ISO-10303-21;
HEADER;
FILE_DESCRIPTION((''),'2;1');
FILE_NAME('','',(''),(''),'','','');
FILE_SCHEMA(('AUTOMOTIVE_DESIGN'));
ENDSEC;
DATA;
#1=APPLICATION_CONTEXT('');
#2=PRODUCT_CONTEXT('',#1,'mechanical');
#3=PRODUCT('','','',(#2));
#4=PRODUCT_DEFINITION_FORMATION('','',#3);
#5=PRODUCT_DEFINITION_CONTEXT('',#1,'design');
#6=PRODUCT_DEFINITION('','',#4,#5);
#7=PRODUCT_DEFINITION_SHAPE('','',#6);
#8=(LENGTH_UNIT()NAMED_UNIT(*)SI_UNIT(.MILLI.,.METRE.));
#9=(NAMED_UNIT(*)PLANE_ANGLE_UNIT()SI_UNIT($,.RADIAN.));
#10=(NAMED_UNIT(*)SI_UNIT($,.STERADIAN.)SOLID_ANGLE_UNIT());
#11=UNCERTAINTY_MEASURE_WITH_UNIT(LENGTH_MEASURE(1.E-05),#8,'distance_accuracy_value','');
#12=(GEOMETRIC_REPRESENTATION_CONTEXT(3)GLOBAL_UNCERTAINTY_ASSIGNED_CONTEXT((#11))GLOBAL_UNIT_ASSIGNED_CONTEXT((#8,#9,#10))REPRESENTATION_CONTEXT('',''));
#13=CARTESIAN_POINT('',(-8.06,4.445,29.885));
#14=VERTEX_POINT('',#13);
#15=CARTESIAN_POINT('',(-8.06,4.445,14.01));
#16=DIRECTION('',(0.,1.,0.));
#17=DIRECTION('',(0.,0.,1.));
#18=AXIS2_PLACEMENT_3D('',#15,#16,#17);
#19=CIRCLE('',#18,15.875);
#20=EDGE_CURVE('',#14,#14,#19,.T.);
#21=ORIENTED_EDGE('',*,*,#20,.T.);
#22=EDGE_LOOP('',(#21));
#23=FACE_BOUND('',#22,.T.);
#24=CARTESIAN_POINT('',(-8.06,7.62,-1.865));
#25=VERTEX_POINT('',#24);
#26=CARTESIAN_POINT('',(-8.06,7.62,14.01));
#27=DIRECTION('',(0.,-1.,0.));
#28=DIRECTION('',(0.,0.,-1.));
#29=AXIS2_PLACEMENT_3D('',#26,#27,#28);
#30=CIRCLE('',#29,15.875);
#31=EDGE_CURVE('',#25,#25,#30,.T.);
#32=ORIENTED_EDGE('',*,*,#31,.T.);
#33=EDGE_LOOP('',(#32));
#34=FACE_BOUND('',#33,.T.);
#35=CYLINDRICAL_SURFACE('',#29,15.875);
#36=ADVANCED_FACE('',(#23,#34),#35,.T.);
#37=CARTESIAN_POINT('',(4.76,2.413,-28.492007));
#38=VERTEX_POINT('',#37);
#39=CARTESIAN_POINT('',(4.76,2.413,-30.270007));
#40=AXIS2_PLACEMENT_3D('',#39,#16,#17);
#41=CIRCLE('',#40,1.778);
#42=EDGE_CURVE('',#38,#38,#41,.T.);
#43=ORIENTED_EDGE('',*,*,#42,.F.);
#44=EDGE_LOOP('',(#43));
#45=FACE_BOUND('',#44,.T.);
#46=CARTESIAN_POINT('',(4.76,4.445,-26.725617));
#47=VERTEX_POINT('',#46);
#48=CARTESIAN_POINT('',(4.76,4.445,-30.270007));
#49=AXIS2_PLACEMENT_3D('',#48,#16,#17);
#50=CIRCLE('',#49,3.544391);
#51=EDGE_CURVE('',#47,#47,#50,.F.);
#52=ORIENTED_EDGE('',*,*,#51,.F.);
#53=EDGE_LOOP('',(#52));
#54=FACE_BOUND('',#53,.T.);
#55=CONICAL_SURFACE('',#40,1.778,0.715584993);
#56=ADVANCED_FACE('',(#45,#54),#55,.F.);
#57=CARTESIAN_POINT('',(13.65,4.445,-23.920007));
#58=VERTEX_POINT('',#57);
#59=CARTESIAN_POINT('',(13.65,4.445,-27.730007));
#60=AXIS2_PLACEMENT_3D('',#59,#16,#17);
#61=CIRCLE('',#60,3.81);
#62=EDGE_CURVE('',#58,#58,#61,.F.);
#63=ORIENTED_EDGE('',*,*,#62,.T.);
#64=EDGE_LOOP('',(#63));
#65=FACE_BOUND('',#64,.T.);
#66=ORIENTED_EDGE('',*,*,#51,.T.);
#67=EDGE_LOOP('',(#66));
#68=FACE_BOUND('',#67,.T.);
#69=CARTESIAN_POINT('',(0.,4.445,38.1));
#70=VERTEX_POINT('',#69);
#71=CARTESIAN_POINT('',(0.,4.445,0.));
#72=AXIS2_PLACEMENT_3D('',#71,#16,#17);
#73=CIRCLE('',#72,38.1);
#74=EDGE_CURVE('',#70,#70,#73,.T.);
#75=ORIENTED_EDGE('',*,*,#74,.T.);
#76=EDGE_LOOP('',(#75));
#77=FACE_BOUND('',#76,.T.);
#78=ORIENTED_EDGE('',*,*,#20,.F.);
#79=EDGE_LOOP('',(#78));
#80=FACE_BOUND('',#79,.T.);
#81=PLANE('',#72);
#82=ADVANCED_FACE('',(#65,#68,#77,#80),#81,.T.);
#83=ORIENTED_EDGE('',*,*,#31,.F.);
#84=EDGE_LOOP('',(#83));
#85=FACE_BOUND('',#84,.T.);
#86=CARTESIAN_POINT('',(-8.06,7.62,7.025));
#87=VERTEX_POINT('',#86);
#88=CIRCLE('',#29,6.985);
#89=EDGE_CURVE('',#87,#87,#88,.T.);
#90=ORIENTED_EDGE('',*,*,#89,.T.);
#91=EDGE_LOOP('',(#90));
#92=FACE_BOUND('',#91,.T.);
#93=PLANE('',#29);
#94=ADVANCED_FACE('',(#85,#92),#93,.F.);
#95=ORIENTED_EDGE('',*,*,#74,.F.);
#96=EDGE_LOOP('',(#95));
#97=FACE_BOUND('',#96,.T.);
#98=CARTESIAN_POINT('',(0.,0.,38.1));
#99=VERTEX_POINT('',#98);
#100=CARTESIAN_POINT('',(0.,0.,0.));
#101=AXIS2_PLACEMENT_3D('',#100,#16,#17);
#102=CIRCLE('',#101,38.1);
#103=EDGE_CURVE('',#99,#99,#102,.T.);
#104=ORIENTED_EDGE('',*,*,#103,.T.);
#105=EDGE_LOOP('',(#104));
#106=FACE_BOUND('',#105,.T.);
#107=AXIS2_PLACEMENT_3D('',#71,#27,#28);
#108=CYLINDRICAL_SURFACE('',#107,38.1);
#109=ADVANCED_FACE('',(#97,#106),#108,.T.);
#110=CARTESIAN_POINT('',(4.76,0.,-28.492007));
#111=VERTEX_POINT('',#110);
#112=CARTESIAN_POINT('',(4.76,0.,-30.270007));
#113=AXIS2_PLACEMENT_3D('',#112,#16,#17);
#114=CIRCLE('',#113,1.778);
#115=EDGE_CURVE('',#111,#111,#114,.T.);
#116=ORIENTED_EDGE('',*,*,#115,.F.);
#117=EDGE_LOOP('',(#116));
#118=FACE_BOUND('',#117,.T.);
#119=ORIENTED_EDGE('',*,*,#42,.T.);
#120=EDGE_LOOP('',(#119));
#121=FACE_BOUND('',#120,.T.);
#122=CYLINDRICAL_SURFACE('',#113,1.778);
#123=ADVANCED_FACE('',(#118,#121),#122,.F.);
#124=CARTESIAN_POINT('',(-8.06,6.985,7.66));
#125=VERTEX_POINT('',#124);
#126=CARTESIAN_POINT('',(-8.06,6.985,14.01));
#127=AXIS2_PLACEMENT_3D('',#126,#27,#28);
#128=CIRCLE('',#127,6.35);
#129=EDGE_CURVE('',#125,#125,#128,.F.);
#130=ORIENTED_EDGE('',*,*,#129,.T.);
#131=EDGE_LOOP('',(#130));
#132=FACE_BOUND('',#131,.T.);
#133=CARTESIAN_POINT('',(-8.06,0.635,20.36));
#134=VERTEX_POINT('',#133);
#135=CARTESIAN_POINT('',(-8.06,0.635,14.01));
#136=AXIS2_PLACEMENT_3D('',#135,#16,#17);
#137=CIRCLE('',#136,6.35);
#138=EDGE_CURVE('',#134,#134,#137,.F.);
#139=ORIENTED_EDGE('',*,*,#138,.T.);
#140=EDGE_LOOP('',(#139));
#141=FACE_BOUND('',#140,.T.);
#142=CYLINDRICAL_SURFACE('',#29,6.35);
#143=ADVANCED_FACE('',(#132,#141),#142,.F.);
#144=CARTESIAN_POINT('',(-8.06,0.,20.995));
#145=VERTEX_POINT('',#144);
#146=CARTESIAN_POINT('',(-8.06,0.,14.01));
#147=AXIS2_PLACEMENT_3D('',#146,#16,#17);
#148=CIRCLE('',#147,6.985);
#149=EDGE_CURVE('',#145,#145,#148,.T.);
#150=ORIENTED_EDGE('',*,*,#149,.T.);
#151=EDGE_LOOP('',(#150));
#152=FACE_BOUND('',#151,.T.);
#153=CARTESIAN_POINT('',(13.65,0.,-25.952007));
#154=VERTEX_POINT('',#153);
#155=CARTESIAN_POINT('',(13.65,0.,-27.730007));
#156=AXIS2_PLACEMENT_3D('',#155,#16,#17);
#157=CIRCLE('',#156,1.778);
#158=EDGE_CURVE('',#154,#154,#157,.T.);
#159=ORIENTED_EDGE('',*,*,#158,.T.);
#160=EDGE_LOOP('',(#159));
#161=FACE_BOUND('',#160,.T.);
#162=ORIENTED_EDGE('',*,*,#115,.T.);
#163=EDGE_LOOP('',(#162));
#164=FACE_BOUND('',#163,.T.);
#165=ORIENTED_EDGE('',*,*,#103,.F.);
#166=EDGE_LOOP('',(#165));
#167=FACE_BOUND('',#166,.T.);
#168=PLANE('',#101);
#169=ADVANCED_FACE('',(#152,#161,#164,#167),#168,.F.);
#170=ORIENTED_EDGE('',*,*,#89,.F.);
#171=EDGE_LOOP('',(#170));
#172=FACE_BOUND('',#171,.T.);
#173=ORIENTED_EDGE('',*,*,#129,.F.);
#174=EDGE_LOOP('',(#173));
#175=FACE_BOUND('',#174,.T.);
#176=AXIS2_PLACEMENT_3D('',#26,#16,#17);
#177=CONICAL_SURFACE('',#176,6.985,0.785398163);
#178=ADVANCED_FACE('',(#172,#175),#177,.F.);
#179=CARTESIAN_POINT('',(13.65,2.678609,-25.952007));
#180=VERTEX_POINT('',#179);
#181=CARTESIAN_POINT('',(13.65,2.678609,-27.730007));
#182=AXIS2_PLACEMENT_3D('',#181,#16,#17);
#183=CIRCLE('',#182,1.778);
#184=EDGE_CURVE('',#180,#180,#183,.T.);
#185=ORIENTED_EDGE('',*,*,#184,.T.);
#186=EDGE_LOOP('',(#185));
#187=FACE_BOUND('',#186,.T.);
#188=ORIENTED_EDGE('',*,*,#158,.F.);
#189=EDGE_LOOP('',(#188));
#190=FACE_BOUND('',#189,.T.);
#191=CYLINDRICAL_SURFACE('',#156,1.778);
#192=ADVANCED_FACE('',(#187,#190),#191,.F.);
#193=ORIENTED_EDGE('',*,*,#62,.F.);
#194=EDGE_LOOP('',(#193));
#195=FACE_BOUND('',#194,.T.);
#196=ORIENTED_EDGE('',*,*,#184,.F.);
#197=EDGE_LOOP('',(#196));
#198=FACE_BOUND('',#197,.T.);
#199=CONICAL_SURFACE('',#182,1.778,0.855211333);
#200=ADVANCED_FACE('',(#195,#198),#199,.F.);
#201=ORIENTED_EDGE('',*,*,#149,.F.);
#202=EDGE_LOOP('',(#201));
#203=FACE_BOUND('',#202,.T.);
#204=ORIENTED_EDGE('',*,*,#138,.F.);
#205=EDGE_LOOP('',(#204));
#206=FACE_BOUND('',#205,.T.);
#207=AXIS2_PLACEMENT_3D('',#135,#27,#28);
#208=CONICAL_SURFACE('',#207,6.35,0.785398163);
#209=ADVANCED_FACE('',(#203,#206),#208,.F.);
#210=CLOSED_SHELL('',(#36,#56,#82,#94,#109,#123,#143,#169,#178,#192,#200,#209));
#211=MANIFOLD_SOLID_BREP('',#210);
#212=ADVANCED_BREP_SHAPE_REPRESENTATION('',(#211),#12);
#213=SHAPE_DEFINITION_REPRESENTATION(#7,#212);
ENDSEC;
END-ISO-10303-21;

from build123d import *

# Parameters (mm, degrees)
SKETCH1_R               = 38.1
BOSS_EXTRUDE1_DEPTH     = 4.445
SKETCH2_R               = 14.4145
SKETCH2_R_2             = 1.778
CUT_EXTRUDE1_DEPTH      = 1
CUT_EXTRUDE1_DEPTH_BACK = 5.445
CHAMFER1_SIZE           = 2.032
CHAMFER1_SIZE2          = 1.766390651
CHAMFER1_PART_2_SIZE    = 2.032
CHAMFER1_PART_2_SIZE2   = 1.766390651
SKETCH10_R              = 15.875
SKETCH10_R_2            = 6.35
BOSS_EXTRUDE5_DEPTH     = 7.62
CHAMFER2_SIZE           = 0.635


with BuildPart() as part:
    # Sketch1 → Boss-Extrude1 (new body)
    with BuildSketch(Plane(origin=(0, 0, 0), x_dir=(1, 0, 0), z_dir=(0, 1, 0))):
        Circle(SKETCH1_R)
    extrude(amount=BOSS_EXTRUDE1_DEPTH)

    # Sketch2 → Cut-Extrude1 (cut, two sides)
    with BuildSketch(Plane(origin=(0, 4.445, 0), x_dir=(1, 0, 0), z_dir=(0, 1, 0))) as cut_extrude1_sk:
        with Locations((-8.06, -14.01)):
            Circle(SKETCH2_R)
        with Locations((4.759999878, 30.270007278)):
            Circle(SKETCH2_R_2)
        with Locations((13.649999878, 27.730007278)):
            Circle(SKETCH2_R_2)
    extrude(amount=CUT_EXTRUDE1_DEPTH, mode=Mode.SUBTRACT)
    extrude(cut_extrude1_sk.sketch, amount=-CUT_EXTRUDE1_DEPTH_BACK, mode=Mode.SUBTRACT)

    # Chamfer1
    chamfer1_edges = [part.edges().sort_by_distance(p)[0] for p in [
        (2.981999878, 4.445, -30.270007278),
    ]]
    chamfer1_side = [part.faces().sort_by_distance(p)[0] for p in [
        (2.981999878, 2.2225, -30.270007278),
    ]]
    chamfer(chamfer1_edges, length=CHAMFER1_SIZE, length2=CHAMFER1_SIZE2, reference=chamfer1_side[0])

    # Chamfer1 part 2
    chamfer1_part_2_edges = [part.edges().sort_by_distance(p)[0] for p in [
        (11.871999878, 4.445, -27.730007278),
    ]]
    chamfer1_part_2_side = [part.faces().sort_by_distance(p)[0] for p in [
        (1.306244319, 4.445, -2.20411426),
    ]]
    chamfer(chamfer1_part_2_edges, length=CHAMFER1_PART_2_SIZE, length2=CHAMFER1_PART_2_SIZE2, reference=chamfer1_part_2_side[0])

    # Sketch10 → Boss-Extrude5 (add)
    with BuildSketch(Plane.XZ):
        with Locations((-8.06, 14.01)):
            Circle(SKETCH10_R)
        with Locations((-8.06, 14.01)):
            Circle(SKETCH10_R_2, mode=Mode.SUBTRACT)
    extrude(amount=-BOSS_EXTRUDE5_DEPTH)

    # Chamfer2
    chamfer2_edges = [part.edges().sort_by_distance(p)[0] for p in [
        (-14.41, 7.62, 14.01),
        (-14.41, 0, 14.01),
    ]]
    chamfer(chamfer2_edges, length=CHAMFER2_SIZE)


solid = part.part
